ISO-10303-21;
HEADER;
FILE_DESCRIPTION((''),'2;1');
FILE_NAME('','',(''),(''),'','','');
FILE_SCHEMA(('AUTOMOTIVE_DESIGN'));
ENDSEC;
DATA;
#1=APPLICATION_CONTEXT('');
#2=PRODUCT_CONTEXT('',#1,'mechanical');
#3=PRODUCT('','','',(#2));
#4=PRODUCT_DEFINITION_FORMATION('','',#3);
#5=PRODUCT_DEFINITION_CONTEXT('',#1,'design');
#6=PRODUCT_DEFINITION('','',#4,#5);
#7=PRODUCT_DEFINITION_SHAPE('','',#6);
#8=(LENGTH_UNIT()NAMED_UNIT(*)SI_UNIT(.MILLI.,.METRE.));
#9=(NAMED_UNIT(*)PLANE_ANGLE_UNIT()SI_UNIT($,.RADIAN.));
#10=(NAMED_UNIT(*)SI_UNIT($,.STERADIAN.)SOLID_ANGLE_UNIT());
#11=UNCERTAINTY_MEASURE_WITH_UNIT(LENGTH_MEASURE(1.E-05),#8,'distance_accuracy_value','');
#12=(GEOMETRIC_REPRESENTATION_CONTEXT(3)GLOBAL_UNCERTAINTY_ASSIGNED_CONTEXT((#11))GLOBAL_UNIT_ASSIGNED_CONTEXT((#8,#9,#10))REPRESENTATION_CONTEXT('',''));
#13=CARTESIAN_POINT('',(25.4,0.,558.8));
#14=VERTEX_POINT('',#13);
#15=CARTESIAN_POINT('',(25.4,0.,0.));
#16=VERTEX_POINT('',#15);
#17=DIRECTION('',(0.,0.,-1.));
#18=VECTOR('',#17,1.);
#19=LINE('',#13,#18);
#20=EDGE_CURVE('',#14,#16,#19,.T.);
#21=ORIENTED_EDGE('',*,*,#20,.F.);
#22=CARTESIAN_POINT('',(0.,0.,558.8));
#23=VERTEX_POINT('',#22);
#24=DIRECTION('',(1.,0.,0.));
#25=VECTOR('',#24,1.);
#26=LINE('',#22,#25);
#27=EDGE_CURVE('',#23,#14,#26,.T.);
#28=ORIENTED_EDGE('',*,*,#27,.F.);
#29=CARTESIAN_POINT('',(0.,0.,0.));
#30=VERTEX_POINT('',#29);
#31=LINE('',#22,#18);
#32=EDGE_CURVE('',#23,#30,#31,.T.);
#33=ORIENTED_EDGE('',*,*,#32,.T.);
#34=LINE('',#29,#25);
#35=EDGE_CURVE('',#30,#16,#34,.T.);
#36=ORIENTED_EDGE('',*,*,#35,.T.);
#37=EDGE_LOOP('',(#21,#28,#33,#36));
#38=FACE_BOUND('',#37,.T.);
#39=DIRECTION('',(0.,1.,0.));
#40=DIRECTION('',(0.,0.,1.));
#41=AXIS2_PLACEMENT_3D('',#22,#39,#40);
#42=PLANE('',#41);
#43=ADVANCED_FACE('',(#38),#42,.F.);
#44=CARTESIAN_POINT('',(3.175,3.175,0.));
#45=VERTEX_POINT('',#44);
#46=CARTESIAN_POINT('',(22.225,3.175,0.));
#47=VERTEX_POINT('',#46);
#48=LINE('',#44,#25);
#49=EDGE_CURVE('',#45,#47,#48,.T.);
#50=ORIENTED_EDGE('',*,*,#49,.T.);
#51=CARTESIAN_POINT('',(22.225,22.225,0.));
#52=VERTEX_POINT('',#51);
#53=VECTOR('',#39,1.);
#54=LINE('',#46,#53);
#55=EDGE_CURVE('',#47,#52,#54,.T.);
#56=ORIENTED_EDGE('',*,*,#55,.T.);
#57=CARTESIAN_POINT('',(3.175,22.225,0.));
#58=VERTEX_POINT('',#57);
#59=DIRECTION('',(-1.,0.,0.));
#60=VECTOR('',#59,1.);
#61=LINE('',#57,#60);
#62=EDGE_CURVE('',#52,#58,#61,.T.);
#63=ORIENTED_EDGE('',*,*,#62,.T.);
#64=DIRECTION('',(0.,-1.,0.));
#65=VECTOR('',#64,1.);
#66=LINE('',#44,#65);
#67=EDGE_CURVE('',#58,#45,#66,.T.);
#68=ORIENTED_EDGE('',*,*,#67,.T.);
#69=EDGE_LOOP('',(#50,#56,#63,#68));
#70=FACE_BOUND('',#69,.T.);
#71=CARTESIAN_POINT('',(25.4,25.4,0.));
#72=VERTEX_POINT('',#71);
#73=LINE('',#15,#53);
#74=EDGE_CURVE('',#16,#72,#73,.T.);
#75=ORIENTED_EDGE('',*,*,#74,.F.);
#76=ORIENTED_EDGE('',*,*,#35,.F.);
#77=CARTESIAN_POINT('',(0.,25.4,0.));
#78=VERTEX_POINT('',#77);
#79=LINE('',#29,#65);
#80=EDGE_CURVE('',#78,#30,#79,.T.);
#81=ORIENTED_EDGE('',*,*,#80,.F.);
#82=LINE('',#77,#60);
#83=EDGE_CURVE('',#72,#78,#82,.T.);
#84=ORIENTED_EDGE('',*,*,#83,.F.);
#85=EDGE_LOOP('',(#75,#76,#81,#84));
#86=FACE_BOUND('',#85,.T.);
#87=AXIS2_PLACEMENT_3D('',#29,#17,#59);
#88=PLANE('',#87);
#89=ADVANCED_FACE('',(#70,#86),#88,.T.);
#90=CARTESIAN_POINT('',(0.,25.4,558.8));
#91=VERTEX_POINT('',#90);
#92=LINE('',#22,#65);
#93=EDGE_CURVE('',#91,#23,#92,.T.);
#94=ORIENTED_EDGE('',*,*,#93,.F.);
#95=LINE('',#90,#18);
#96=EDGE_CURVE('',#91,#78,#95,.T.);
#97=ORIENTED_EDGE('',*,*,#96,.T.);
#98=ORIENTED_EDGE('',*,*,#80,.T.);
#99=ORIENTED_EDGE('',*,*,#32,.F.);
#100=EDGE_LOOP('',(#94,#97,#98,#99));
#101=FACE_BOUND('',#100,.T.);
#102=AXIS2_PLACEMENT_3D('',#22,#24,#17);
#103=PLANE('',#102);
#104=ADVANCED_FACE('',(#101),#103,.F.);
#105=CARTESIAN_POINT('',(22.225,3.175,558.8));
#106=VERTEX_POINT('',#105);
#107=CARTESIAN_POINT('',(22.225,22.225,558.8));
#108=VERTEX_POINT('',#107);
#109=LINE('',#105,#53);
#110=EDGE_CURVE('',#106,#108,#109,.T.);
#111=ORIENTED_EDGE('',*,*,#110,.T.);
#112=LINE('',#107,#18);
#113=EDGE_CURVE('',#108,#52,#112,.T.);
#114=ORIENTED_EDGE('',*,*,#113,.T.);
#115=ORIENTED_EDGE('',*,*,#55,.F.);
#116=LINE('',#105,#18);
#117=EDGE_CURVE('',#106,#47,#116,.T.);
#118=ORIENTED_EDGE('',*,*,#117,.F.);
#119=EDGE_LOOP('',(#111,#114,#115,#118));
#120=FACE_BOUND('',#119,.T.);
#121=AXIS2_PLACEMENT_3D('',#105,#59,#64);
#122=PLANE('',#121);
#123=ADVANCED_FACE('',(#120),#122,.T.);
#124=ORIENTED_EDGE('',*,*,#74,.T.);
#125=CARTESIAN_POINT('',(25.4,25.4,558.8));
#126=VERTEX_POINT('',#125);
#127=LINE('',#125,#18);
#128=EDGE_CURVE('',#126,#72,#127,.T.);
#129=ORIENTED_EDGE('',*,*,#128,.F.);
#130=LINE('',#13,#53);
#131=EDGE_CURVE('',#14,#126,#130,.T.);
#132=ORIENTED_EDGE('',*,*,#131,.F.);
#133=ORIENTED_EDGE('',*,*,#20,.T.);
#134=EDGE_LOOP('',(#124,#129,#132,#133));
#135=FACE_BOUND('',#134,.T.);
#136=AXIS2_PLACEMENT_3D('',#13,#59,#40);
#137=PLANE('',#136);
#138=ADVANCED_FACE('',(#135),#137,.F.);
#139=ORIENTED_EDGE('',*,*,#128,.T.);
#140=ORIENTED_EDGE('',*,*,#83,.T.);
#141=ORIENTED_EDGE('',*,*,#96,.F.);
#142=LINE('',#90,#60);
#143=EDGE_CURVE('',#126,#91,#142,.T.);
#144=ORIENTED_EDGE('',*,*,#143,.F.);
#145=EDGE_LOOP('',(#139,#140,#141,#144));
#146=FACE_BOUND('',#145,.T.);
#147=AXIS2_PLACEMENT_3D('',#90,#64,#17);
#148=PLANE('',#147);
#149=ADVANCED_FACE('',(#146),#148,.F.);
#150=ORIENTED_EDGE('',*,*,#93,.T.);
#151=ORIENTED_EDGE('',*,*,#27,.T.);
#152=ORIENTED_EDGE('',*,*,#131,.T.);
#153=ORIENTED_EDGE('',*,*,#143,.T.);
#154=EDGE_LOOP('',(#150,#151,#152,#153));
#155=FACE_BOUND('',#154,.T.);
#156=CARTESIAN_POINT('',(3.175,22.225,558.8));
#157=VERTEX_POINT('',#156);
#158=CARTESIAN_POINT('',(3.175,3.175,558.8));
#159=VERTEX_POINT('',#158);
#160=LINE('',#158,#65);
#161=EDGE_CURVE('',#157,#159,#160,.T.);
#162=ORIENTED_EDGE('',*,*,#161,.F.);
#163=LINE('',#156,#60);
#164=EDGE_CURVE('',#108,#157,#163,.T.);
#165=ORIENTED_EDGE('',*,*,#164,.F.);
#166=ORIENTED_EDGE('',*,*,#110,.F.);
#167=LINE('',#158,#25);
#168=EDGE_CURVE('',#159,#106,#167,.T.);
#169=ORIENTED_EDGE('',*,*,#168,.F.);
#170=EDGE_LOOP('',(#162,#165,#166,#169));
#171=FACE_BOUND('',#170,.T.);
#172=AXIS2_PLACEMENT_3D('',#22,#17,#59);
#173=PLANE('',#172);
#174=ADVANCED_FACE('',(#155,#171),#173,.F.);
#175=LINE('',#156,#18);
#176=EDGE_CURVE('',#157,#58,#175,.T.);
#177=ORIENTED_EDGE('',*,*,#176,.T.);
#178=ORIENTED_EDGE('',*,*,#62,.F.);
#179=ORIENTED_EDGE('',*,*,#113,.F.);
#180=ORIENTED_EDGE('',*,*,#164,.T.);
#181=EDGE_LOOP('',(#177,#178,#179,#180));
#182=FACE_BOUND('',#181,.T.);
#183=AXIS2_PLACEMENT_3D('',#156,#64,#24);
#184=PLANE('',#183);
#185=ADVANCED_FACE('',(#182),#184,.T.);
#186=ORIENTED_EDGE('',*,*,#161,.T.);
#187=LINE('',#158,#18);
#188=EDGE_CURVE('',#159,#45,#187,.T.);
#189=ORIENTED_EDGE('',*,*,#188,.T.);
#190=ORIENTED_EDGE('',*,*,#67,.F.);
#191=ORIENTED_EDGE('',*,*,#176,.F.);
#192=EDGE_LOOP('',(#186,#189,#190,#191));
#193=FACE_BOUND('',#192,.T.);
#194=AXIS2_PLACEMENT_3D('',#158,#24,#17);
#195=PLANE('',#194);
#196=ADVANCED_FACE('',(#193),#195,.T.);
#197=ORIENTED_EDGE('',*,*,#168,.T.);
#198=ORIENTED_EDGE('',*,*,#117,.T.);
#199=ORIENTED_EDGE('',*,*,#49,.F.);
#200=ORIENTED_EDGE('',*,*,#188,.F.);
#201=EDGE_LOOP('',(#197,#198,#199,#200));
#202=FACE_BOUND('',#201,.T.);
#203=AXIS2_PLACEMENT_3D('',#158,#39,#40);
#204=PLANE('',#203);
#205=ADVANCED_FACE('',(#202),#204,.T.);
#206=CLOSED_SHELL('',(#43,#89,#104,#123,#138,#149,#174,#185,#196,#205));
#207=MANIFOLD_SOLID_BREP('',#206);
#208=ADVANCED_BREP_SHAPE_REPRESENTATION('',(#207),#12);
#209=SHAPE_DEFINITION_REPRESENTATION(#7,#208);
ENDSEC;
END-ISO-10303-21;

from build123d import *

# Parameters (mm, degrees)
SKETCH1_W           = 25.4
SKETCH1_H           = 25.4
SKETCH1_W_2         = 19.05
SKETCH1_H_2         = 19.05
BOSS_EXTRUDE1_DEPTH = 558.8


with BuildPart() as part:
    # Sketch1 → Boss-Extrude1 (new body)
    with BuildSketch(Plane.XY):
        with Locations((12.7, 12.7)):
            Rectangle(SKETCH1_W, SKETCH1_H)
        with Locations((12.7, 12.7)):
            Rectangle(SKETCH1_W_2, SKETCH1_H_2, mode=Mode.SUBTRACT)
    extrude(amount=BOSS_EXTRUDE1_DEPTH)


solid = part.part
